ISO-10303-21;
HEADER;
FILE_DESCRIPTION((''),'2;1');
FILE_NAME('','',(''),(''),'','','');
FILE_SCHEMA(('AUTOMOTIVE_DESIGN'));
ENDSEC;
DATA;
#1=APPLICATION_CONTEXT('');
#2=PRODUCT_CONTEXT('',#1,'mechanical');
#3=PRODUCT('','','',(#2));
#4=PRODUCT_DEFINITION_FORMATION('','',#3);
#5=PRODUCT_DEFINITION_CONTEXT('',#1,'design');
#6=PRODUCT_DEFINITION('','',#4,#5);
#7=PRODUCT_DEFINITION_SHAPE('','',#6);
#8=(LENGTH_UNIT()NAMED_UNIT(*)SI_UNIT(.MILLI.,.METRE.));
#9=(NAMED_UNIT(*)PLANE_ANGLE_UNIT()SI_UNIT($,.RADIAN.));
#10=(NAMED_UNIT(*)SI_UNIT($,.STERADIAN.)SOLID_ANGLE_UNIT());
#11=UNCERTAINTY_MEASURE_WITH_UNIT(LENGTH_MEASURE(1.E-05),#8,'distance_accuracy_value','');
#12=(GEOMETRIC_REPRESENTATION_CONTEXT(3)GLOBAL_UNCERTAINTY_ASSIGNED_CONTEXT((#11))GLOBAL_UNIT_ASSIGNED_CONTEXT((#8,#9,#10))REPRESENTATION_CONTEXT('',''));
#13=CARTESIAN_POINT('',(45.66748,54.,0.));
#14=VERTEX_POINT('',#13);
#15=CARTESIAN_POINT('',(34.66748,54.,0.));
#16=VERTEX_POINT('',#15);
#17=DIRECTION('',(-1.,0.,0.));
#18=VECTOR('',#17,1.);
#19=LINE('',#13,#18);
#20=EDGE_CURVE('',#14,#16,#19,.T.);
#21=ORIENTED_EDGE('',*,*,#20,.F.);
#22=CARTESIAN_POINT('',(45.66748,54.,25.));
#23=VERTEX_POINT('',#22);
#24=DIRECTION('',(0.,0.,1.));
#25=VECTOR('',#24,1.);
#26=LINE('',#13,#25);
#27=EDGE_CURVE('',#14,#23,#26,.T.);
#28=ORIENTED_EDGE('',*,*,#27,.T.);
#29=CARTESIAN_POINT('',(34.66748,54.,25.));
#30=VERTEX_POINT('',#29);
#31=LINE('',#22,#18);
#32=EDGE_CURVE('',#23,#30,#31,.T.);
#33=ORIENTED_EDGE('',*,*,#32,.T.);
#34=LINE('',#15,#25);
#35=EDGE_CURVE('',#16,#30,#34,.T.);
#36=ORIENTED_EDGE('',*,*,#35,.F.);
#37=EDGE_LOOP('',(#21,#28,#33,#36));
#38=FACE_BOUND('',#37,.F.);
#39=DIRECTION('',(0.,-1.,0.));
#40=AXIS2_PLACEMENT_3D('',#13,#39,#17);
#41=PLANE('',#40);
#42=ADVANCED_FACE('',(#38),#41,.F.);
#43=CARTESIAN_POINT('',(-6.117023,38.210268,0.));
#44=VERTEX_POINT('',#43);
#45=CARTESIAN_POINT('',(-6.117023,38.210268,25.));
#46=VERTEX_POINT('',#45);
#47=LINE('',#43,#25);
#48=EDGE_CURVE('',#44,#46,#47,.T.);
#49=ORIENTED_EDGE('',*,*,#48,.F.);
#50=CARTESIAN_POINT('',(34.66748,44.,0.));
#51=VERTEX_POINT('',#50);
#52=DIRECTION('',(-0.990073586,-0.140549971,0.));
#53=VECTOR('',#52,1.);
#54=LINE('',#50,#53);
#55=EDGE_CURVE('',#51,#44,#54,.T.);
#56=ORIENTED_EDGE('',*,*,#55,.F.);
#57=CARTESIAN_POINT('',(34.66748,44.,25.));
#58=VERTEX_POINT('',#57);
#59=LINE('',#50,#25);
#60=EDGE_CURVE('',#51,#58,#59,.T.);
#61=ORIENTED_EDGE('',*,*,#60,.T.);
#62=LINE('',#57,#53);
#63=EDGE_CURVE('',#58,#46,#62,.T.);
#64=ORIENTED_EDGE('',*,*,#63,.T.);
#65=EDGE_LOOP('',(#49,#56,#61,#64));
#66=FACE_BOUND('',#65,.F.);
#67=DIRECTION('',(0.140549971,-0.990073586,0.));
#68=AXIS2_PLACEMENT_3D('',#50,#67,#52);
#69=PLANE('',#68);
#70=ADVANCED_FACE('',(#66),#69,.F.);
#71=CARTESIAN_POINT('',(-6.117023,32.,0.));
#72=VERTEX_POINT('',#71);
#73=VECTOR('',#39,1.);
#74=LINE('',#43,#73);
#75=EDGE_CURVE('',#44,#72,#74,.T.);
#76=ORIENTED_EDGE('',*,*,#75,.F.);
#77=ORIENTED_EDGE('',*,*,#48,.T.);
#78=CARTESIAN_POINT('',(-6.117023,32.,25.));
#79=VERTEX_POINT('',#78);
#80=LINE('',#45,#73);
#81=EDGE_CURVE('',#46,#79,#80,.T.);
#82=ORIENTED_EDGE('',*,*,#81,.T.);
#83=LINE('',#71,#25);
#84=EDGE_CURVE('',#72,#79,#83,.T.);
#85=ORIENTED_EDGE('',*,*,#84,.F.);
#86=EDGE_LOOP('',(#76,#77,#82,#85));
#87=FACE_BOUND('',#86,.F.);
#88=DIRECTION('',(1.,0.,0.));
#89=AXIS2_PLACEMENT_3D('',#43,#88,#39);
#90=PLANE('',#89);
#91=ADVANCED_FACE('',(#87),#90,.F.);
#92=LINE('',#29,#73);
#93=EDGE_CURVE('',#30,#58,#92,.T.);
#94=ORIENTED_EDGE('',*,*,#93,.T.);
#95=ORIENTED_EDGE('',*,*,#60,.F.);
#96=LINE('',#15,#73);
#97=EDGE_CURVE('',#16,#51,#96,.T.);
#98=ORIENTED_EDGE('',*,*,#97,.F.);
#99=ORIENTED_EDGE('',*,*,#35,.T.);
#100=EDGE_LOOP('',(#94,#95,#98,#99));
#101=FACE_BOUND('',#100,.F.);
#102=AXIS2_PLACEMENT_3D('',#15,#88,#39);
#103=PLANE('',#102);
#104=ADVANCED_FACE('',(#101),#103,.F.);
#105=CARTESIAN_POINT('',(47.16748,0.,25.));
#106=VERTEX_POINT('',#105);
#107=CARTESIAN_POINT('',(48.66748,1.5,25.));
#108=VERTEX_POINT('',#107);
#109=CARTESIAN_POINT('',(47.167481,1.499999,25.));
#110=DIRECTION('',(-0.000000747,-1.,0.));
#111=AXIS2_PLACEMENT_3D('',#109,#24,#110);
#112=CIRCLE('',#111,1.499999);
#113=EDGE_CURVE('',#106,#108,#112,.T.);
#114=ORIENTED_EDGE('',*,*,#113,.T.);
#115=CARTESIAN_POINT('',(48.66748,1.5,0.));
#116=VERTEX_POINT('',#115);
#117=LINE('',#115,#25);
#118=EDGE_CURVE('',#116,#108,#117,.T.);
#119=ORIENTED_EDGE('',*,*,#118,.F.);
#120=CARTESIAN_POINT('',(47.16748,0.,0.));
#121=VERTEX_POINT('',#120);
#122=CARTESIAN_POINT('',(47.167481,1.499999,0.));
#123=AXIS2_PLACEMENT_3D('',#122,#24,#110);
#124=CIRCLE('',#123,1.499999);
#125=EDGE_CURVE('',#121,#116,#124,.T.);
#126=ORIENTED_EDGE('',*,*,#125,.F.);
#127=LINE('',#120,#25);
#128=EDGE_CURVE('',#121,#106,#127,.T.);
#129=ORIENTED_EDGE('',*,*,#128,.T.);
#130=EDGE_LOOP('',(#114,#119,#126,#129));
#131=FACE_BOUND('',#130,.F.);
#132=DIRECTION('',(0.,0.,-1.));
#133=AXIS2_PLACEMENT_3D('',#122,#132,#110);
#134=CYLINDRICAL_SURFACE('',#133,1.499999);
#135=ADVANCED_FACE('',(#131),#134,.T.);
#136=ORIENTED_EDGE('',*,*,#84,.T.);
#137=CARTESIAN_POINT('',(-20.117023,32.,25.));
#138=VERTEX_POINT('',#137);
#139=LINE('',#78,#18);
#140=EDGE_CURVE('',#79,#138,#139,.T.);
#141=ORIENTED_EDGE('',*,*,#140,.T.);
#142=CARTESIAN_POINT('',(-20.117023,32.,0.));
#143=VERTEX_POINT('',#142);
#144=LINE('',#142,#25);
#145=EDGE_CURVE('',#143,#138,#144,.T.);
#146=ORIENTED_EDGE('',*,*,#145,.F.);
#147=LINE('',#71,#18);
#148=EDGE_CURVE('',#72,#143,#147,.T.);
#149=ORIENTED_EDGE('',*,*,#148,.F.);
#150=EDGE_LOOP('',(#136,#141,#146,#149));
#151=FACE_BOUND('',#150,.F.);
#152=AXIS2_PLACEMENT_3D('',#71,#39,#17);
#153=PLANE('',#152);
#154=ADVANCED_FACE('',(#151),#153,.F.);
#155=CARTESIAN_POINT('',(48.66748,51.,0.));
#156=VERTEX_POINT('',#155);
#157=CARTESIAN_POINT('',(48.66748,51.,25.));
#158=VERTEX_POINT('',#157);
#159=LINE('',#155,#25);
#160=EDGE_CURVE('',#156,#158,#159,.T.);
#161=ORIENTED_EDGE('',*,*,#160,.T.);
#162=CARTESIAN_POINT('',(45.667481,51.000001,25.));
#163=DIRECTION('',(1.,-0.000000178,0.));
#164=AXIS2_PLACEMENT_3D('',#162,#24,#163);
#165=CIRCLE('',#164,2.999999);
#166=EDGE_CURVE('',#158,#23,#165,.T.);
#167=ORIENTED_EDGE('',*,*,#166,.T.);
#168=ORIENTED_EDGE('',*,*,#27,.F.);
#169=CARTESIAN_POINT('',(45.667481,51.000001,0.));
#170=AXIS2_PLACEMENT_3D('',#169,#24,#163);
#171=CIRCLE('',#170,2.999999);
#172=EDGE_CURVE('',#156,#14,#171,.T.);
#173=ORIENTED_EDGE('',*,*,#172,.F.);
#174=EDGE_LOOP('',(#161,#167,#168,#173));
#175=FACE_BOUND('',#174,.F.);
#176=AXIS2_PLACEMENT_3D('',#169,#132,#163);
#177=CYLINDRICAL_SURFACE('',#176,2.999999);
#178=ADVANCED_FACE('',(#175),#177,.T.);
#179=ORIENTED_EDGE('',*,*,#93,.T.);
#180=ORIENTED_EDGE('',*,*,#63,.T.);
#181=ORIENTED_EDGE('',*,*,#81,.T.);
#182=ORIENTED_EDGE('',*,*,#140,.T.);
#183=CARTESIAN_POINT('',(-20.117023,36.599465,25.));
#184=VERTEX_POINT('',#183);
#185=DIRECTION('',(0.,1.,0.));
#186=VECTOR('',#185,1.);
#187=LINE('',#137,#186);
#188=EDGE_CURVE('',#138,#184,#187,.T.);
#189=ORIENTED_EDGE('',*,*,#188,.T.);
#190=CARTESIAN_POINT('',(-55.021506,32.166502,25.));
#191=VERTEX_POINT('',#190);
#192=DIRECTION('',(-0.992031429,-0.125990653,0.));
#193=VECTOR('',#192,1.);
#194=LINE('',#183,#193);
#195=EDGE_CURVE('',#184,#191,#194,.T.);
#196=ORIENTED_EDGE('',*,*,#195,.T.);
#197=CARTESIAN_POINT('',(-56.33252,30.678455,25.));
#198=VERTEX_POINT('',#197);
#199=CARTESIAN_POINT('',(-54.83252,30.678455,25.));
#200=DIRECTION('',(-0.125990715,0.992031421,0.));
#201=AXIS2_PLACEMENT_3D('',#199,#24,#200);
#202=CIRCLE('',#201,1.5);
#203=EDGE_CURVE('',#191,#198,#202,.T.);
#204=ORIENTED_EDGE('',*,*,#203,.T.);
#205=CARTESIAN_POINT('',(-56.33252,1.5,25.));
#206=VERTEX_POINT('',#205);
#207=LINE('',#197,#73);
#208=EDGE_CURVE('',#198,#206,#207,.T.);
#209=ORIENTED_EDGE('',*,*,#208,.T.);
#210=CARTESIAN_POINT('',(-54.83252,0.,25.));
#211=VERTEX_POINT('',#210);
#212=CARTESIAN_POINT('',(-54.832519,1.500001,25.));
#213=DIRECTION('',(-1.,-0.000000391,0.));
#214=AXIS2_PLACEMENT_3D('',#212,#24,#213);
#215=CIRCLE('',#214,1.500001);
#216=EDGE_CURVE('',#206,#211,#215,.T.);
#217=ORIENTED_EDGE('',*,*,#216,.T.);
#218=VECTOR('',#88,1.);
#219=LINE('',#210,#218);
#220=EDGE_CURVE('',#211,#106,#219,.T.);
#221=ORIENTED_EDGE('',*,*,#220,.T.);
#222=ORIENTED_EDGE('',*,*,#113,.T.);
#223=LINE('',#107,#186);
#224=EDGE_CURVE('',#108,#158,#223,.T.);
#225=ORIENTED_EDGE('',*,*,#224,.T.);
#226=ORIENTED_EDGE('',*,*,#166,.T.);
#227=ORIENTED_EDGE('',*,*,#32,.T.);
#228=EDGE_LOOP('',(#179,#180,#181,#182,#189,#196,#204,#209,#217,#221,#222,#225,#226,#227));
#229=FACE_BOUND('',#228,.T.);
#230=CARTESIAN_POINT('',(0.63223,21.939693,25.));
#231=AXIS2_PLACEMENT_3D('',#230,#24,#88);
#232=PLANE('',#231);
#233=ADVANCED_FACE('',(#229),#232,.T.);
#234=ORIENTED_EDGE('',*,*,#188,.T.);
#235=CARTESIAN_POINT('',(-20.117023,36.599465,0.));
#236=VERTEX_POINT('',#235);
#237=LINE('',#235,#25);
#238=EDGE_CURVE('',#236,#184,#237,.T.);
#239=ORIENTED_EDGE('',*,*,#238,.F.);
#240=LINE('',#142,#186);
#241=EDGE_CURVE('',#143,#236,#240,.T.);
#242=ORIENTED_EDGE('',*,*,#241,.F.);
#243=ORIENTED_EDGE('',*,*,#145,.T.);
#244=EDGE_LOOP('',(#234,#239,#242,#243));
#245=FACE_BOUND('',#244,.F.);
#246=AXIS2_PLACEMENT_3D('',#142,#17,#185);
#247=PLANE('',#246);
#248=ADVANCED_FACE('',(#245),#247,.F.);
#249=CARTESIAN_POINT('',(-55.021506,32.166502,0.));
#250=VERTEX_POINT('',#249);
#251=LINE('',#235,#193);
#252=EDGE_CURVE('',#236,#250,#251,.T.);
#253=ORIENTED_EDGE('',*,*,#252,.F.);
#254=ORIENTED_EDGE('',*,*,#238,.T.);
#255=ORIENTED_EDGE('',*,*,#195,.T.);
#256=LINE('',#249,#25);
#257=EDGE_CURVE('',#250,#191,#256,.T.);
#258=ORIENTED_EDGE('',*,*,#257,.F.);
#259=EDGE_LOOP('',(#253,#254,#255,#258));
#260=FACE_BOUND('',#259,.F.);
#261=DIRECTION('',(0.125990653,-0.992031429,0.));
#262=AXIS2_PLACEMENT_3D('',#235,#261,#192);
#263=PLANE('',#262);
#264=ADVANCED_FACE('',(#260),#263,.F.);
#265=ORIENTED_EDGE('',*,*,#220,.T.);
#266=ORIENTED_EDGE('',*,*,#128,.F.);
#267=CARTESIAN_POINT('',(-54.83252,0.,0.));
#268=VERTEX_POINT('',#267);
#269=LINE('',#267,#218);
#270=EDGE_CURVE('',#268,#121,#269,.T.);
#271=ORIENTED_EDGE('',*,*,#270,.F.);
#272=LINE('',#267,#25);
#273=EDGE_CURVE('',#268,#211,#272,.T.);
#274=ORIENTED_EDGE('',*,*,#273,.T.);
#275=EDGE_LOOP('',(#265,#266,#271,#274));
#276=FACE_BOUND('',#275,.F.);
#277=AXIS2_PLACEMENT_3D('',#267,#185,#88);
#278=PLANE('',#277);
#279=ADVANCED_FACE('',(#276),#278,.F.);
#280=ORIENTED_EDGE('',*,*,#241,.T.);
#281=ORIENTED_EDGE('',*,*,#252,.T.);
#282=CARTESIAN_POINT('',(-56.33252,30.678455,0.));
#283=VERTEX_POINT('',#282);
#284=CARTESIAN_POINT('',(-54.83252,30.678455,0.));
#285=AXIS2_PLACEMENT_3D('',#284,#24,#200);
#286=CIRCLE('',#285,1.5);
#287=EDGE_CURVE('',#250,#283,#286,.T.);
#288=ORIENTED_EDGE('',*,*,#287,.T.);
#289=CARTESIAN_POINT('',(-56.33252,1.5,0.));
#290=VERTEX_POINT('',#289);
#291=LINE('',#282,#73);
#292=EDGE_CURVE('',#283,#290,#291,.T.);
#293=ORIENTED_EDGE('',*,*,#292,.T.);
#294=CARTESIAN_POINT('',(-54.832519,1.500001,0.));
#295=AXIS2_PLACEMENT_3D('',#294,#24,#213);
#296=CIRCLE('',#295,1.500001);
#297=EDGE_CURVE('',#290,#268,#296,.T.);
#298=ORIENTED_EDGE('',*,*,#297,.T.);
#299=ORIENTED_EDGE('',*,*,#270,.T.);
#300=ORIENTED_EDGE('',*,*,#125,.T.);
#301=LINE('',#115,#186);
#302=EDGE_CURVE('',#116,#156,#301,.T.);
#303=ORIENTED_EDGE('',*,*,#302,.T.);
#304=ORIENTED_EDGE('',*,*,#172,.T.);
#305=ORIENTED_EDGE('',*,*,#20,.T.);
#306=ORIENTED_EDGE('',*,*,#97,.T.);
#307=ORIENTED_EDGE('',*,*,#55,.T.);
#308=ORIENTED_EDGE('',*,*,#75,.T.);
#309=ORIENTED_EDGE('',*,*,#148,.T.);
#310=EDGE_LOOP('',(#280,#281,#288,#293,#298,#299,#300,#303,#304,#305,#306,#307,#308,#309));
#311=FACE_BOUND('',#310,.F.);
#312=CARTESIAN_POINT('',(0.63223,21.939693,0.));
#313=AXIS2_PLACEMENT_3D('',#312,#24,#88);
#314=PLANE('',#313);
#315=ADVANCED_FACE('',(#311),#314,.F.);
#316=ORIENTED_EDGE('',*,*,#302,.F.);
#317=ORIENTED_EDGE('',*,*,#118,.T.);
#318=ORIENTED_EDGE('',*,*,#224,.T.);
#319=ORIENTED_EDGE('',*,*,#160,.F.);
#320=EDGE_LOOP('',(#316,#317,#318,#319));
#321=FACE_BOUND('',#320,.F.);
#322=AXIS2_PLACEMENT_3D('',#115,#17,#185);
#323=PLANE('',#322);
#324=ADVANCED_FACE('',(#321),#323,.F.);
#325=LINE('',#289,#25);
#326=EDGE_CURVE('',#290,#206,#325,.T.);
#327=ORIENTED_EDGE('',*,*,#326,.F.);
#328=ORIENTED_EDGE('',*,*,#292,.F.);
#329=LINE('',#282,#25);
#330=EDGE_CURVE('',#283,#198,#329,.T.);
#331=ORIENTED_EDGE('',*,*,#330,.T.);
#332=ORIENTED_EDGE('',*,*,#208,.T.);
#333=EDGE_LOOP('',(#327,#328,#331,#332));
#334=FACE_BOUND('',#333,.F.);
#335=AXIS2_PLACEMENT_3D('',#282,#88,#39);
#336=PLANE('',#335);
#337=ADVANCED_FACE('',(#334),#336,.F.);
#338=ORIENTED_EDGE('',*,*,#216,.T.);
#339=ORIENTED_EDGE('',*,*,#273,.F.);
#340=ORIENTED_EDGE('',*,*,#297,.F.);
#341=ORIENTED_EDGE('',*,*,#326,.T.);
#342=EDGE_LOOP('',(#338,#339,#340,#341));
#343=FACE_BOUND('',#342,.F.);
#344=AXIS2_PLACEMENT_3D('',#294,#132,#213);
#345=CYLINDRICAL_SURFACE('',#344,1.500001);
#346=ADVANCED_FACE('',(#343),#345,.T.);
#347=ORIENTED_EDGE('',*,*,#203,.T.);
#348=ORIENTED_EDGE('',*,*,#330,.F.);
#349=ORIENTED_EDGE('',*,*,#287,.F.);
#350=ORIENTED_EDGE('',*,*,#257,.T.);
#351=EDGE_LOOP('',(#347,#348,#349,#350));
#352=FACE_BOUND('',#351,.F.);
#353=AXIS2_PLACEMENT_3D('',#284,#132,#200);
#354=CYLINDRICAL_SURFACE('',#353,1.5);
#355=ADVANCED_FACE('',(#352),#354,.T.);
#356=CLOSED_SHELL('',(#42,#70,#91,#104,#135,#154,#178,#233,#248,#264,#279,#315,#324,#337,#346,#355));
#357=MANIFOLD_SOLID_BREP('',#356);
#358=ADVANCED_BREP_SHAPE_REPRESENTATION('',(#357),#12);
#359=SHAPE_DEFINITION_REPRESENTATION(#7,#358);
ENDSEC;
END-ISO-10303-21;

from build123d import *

# Parameters (mm, degrees)
F1_DEPTH = 25


with BuildPart() as f1:
    # F0 (on Top) → F1 (new body)
    with BuildSketch(Plane.XY):
        with BuildLine():
            ThreePointArc((-55.021506, 32.166502), (-55.958015, 31.67005), (-56.33252, 30.678455))
            Line((-56.33252, 30.678455), (-56.33252, 1.5))
            ThreePointArc((-56.33252, 1.5), (-55.89318, 0.43934), (-54.83252, 0))
            Line((-54.83252, 0), (47.16748, 0))
            ThreePointArc((47.16748, 0), (48.228141, 0.43934), (48.66748, 1.5))
            Line((48.66748, 1.5), (48.66748, 51))
            ThreePointArc((48.66748, 51), (47.788801, 53.12132), (45.66748, 54))
            Line((45.66748, 54), (34.66748, 54))
            Line((34.66748, 54), (34.66748, 44))
            Line((34.66748, 44), (-6.117023, 38.210268))
            Line((-6.117023, 38.210268), (-6.117023, 32))
            Line((-6.117023, 32), (-20.117023, 32))
            Line((-20.117023, 32), (-20.117023, 36.599465))
            Line((-20.117023, 36.599465), (-55.021506, 32.166502))
        make_face()
    extrude(amount=F1_DEPTH)


solid = f1.part
